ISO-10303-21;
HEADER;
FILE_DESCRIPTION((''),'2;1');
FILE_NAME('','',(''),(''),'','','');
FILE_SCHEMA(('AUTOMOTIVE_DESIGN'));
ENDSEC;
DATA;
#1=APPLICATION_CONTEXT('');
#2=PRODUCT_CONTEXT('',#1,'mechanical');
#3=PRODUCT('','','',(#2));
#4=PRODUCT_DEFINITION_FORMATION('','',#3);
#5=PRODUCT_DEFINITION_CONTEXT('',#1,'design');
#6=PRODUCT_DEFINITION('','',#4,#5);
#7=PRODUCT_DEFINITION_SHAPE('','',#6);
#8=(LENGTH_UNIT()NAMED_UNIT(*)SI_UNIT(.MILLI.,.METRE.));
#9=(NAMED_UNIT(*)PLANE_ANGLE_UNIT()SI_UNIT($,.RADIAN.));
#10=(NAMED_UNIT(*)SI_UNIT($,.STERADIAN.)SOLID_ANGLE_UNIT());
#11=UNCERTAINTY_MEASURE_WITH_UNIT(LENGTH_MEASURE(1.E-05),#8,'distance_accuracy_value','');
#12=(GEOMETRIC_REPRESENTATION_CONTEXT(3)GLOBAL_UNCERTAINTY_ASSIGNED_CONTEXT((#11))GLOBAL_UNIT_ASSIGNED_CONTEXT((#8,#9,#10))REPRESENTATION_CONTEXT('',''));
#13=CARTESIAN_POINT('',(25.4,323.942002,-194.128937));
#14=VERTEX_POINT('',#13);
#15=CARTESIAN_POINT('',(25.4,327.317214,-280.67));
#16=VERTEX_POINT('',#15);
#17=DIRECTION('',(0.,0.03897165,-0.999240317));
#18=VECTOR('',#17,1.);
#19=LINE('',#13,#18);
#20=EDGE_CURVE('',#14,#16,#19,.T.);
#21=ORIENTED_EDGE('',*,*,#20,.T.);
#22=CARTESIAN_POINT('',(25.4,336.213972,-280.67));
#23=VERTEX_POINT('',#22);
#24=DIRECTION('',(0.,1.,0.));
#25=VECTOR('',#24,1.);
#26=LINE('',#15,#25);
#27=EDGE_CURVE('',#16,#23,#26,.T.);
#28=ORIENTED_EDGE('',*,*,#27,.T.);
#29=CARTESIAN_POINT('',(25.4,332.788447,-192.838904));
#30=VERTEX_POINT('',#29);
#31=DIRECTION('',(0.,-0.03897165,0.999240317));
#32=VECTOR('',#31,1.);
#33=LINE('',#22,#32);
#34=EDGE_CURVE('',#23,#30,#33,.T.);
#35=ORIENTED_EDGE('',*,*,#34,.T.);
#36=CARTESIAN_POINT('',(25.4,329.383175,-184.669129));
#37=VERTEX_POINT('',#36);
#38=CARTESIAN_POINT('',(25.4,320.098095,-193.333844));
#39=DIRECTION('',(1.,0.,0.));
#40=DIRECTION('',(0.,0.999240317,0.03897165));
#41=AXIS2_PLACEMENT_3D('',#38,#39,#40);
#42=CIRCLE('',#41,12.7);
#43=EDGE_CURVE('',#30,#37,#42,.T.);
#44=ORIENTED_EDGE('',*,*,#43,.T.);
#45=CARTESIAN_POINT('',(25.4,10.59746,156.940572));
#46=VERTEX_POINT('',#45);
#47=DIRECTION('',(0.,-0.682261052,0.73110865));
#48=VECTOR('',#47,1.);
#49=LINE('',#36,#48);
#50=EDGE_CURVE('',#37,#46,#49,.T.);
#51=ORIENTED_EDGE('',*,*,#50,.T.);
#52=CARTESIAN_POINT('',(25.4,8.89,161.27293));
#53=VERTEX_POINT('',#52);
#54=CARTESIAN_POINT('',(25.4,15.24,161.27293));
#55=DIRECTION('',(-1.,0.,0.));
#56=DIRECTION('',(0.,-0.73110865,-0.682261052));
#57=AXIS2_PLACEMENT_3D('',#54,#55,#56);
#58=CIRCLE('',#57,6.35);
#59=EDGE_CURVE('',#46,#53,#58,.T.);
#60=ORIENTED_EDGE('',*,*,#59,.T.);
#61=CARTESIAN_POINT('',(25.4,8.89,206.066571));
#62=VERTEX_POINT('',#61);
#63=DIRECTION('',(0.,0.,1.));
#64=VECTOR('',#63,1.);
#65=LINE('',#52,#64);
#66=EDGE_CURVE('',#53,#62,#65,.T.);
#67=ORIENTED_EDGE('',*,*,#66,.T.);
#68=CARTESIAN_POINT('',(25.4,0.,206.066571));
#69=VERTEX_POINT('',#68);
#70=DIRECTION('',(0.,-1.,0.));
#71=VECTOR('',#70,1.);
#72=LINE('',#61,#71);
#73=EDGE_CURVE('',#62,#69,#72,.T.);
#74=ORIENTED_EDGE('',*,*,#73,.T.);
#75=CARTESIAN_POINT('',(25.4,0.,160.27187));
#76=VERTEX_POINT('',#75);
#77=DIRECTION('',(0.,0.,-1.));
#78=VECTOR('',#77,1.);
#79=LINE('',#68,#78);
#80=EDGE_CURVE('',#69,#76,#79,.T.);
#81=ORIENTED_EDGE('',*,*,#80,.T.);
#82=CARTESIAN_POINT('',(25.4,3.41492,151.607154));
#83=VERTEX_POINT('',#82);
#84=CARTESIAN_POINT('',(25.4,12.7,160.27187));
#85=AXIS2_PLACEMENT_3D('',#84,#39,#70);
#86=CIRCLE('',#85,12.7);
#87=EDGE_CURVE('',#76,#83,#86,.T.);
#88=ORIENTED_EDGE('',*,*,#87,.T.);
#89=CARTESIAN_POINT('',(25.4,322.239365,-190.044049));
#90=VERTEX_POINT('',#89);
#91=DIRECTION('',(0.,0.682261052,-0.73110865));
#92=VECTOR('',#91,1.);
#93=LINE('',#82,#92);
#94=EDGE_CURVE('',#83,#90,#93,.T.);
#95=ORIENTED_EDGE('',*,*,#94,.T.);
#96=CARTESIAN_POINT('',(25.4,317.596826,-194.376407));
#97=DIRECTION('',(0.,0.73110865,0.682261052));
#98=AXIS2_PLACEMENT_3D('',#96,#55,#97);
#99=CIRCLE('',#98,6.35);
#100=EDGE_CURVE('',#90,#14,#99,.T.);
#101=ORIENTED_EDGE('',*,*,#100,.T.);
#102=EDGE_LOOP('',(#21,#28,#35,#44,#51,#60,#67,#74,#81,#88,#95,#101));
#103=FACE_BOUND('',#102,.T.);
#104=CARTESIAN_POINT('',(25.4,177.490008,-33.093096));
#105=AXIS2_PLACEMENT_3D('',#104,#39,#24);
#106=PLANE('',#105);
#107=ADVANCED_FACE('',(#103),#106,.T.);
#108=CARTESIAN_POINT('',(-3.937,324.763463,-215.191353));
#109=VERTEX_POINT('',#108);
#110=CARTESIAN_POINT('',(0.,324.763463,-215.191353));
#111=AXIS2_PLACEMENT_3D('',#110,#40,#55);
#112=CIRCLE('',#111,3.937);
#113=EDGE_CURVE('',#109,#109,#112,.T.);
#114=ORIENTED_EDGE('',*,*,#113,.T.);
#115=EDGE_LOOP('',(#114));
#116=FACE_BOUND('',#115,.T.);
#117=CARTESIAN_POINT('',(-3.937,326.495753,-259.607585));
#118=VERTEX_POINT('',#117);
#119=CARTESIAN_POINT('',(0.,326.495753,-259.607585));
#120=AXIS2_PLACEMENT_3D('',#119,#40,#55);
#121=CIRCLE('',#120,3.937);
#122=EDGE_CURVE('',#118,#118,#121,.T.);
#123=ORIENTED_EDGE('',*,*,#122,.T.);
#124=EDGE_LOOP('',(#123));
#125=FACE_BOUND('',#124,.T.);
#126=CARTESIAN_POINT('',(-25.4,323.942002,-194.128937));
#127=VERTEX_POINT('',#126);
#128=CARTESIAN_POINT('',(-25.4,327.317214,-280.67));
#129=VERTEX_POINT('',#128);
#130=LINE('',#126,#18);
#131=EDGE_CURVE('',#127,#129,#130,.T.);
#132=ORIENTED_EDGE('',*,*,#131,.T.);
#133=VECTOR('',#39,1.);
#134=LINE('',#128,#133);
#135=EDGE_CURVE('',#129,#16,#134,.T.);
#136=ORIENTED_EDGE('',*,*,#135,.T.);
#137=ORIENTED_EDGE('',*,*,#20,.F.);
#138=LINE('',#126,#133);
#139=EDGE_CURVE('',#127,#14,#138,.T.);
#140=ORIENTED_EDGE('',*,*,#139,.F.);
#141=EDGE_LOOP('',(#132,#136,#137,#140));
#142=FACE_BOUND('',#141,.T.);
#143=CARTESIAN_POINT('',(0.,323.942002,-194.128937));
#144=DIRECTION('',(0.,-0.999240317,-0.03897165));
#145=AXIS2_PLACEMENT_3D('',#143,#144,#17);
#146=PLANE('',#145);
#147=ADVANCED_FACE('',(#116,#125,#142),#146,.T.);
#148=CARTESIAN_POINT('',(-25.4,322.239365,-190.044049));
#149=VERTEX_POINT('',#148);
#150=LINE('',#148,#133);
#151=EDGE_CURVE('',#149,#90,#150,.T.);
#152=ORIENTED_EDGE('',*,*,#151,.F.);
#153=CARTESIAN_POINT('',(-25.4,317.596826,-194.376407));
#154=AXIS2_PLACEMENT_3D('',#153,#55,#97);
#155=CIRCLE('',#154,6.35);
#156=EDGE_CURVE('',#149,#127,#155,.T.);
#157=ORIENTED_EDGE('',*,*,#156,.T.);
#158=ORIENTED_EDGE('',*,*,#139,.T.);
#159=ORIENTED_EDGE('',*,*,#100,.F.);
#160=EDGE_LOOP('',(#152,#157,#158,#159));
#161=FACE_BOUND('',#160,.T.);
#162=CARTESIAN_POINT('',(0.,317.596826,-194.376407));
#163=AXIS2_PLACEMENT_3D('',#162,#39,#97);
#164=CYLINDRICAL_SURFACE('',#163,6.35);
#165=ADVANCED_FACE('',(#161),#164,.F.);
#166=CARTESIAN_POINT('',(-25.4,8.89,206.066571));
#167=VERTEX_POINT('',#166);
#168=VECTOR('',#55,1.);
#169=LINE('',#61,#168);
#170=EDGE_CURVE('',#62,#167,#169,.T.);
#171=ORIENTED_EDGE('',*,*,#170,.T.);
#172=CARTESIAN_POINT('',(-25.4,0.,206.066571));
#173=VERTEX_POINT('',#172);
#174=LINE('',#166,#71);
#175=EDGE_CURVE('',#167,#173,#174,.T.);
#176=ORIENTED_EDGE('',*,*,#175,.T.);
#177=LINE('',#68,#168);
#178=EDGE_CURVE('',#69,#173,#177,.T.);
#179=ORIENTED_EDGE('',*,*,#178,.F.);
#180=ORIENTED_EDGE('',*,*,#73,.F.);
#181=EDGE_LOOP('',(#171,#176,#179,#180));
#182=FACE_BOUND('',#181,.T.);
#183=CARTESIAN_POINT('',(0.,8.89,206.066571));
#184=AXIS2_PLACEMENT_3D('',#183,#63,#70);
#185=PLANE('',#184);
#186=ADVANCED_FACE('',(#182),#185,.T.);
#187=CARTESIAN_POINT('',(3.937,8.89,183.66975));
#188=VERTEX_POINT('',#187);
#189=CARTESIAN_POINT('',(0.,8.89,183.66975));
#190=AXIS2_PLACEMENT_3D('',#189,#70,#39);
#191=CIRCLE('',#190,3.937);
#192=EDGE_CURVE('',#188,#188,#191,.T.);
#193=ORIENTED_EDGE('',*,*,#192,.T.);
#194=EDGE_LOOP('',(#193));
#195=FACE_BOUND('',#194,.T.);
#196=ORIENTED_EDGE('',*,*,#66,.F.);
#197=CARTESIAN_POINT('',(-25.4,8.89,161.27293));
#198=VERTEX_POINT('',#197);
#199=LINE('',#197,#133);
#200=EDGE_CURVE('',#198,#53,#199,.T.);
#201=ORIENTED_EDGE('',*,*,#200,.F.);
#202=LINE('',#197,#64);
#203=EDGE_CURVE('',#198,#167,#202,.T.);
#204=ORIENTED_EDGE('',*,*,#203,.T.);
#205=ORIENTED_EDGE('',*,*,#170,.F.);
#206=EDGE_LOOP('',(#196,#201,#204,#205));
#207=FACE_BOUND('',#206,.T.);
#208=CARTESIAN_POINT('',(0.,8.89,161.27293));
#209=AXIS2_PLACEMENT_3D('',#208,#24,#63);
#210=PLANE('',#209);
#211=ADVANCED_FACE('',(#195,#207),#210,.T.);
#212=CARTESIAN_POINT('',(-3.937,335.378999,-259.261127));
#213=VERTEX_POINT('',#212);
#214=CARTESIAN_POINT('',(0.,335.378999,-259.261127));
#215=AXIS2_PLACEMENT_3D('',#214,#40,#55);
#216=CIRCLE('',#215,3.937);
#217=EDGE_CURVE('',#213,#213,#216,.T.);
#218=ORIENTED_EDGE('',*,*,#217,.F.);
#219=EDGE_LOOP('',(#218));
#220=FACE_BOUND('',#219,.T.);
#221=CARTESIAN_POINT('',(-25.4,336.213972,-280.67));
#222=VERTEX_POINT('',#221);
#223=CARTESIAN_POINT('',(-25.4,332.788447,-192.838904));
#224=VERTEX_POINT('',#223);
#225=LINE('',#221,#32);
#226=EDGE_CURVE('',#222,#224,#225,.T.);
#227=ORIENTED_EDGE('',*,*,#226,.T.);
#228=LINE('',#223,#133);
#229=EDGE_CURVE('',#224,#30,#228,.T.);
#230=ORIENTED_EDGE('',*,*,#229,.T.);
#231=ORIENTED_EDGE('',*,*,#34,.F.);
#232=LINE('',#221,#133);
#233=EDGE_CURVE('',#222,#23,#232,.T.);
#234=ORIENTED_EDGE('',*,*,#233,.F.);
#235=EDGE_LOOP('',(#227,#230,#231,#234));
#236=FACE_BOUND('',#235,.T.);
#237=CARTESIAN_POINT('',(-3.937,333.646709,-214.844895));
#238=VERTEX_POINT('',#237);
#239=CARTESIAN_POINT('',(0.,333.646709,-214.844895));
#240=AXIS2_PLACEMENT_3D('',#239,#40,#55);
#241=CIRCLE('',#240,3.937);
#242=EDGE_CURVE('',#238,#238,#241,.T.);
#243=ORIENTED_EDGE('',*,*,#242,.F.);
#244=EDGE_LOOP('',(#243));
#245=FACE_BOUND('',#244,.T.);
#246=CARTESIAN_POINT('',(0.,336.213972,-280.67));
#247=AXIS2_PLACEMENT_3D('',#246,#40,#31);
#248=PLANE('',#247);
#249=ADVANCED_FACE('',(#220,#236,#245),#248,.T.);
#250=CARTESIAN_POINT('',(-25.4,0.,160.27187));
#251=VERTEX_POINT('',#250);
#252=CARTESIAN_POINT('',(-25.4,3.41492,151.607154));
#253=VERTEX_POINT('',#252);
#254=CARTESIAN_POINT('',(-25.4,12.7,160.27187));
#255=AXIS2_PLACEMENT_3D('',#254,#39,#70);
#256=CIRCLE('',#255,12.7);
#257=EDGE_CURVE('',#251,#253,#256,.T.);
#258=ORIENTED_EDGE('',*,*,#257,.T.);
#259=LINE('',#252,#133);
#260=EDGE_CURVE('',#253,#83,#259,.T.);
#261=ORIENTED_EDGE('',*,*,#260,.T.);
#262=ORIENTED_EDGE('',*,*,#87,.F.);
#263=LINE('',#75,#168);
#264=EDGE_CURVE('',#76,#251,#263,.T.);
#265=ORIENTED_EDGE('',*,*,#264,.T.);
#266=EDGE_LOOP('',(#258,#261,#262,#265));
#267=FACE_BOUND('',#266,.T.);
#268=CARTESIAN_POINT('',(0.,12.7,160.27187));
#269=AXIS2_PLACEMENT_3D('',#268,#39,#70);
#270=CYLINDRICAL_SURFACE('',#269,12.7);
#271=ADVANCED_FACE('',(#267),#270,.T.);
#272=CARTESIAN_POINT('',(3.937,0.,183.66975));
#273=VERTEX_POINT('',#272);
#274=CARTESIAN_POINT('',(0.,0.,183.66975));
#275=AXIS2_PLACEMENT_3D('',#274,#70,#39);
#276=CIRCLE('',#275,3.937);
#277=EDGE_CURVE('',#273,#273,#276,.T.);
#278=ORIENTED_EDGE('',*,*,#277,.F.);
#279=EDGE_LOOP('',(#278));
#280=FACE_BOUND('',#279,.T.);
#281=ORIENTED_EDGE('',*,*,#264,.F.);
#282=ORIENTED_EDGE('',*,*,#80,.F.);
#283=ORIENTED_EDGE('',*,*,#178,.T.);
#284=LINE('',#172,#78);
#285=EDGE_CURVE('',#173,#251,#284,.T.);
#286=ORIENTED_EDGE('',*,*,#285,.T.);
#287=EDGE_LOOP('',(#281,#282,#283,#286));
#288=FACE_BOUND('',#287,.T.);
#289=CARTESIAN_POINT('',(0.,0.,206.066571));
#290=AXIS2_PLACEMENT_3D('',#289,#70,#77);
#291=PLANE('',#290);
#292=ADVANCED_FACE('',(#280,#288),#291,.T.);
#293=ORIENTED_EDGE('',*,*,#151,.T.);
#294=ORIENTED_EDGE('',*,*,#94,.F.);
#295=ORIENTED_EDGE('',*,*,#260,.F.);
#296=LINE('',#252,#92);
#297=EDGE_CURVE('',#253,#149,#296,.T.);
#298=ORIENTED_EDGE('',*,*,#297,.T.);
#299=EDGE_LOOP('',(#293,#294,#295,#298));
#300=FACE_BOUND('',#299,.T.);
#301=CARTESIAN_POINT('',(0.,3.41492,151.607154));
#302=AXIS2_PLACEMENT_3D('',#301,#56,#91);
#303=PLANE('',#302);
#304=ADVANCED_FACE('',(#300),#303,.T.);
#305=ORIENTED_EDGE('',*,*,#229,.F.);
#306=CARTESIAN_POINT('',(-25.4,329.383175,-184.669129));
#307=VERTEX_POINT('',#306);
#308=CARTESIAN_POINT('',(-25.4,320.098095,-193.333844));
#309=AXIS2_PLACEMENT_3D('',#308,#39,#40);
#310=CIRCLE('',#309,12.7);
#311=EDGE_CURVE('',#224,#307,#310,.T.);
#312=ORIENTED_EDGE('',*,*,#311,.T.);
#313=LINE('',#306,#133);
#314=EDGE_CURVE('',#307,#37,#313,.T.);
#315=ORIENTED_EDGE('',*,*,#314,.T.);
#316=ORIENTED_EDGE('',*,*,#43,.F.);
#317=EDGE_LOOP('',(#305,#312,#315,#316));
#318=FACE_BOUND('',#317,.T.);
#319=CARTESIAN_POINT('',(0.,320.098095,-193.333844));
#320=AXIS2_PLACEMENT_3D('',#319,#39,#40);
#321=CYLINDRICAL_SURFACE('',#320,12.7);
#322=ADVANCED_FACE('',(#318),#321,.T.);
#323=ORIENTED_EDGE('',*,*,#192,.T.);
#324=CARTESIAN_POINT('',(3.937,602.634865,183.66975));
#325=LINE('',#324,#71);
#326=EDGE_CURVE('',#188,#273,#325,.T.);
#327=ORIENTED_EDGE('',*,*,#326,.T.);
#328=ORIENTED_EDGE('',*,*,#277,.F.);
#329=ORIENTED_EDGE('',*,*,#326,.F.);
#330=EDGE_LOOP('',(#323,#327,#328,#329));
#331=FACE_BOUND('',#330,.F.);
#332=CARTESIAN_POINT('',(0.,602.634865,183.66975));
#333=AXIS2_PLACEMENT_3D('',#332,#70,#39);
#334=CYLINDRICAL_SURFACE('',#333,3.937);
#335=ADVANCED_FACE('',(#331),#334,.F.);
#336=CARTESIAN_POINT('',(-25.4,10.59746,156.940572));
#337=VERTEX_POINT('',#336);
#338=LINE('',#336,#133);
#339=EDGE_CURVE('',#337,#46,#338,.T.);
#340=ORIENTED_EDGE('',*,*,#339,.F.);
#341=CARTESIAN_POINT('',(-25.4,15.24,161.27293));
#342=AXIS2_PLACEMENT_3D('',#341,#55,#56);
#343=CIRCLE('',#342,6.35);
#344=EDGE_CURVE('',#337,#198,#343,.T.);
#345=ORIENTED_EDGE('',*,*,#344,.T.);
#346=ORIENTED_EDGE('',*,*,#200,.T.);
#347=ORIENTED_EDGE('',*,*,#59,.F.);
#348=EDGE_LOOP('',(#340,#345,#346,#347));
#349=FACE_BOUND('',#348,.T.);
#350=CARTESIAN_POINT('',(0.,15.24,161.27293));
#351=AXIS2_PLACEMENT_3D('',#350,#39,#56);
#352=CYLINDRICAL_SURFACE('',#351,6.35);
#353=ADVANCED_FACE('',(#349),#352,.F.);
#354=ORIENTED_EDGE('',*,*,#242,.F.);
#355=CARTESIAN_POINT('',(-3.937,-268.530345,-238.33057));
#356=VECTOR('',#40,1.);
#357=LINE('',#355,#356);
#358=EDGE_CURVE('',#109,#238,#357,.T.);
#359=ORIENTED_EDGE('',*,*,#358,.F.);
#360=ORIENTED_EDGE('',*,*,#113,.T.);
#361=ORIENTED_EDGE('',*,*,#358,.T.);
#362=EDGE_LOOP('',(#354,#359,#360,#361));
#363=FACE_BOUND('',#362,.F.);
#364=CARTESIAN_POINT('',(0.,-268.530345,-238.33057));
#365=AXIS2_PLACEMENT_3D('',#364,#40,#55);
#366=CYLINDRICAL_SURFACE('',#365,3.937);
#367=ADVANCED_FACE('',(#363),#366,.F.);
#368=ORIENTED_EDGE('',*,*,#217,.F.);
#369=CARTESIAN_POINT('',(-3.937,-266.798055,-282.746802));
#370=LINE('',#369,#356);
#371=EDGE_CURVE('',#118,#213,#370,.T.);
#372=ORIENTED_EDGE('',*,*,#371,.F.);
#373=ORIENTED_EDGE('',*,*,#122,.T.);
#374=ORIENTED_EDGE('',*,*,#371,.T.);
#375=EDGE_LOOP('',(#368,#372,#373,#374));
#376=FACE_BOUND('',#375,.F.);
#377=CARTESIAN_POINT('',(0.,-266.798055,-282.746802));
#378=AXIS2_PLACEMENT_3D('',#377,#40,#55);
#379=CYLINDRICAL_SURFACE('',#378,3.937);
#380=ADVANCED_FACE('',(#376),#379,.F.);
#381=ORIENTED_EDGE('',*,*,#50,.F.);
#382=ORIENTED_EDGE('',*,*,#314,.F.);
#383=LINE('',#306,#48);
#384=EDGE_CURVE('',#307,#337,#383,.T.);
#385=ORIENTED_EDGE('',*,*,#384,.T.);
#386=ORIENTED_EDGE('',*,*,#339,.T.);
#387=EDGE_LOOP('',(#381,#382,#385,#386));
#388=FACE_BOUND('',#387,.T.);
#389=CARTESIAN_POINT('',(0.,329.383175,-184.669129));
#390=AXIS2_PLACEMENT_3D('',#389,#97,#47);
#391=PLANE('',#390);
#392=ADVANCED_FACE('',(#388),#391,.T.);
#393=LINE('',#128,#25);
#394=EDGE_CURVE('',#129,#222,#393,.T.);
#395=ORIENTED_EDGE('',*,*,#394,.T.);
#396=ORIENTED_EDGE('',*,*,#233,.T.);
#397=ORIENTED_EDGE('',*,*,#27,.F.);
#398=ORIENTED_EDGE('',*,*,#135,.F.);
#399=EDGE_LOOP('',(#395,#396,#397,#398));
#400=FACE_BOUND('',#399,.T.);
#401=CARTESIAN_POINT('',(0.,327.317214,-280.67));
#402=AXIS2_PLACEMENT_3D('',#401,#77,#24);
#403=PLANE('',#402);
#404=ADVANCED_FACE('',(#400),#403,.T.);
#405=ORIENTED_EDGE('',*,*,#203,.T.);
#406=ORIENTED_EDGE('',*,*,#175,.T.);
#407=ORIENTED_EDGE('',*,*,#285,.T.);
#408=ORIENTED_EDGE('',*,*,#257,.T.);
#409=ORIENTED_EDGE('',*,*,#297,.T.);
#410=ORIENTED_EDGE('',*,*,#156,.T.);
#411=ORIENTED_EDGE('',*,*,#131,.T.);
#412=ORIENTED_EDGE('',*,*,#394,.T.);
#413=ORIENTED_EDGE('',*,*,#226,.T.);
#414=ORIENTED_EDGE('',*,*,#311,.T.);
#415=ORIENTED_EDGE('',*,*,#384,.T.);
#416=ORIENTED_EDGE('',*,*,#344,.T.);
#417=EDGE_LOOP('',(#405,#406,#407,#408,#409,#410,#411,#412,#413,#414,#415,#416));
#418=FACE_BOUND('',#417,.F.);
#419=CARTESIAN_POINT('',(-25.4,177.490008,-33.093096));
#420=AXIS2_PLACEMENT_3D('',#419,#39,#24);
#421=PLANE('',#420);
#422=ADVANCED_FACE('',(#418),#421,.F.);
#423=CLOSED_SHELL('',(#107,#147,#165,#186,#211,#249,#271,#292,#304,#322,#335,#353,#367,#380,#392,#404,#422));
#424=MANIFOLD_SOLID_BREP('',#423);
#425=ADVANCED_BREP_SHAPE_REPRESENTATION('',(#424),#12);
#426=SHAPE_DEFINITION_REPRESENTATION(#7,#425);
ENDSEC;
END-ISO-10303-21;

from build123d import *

# Parameters (mm, degrees)
F1_DEPTH = 25.4
F3_D     = 7.874
F5_D     = 7.874


with BuildPart() as f1:
    # F0 (on Right) → F1 (new body, symmetric)
    with BuildSketch(Plane.YZ):
        with BuildLine():
            ThreePointArc((0, 160.2718698293), (0.8845331432, 155.615181848), (3.4149201504, 151.6071544741))
            Line((3.4149201504, 151.6071544741), (322.2393654787, -190.0440494609))
            ThreePointArc((322.2393654787, -190.0440494609), (323.4580585518, -191.9333664625), (323.9420015649, -194.1289371625))
            Line((323.9420015649, -194.1289371625), (327.3172136475, -280.67))
            Line((327.3172136475, -280.67), (336.2139723666, -280.67))
            Line((336.2139723666, -280.67), (332.7884473544, -192.8389043312))
            ThreePointArc((332.7884473544, -192.8389043312), (331.8205613281, -188.4477629311), (329.3831751819, -184.6691289279))
            Line((329.3831751819, -184.6691289279), (10.5974600752, 156.9405718319))
            ThreePointArc((10.5974600752, 156.9405718319), (9.3322665716, 158.9445855188), (8.89, 161.2729295095))
            Line((8.89, 161.2729295095), (8.89, 206.0665714286))
            Line((8.89, 206.0665714286), (0, 206.0665714286))
            Line((0, 206.0665714286), (0, 160.2718698293))
        make_face()
    extrude(amount=F1_DEPTH, both=True)

    # F3 (through all)
    with Locations(Plane(origin=(0, 8.89, 0), x_dir=(-1, 0, 0), z_dir=(0, 1, 0))):
        with Locations((0, 183.669750469)):
            Hole(F3_D / 2)

    # F5 (through all)
    with Locations(Plane(origin=(0, 315.8902243159, 12.3201225744), x_dir=(1, 0, 0), z_dir=(0, -0.9992403167, -0.0389716498))):
        with Locations((0, -227.6844431866), (0, -272.1344431866)):
            Hole(F5_D / 2)


solid = f1.part
